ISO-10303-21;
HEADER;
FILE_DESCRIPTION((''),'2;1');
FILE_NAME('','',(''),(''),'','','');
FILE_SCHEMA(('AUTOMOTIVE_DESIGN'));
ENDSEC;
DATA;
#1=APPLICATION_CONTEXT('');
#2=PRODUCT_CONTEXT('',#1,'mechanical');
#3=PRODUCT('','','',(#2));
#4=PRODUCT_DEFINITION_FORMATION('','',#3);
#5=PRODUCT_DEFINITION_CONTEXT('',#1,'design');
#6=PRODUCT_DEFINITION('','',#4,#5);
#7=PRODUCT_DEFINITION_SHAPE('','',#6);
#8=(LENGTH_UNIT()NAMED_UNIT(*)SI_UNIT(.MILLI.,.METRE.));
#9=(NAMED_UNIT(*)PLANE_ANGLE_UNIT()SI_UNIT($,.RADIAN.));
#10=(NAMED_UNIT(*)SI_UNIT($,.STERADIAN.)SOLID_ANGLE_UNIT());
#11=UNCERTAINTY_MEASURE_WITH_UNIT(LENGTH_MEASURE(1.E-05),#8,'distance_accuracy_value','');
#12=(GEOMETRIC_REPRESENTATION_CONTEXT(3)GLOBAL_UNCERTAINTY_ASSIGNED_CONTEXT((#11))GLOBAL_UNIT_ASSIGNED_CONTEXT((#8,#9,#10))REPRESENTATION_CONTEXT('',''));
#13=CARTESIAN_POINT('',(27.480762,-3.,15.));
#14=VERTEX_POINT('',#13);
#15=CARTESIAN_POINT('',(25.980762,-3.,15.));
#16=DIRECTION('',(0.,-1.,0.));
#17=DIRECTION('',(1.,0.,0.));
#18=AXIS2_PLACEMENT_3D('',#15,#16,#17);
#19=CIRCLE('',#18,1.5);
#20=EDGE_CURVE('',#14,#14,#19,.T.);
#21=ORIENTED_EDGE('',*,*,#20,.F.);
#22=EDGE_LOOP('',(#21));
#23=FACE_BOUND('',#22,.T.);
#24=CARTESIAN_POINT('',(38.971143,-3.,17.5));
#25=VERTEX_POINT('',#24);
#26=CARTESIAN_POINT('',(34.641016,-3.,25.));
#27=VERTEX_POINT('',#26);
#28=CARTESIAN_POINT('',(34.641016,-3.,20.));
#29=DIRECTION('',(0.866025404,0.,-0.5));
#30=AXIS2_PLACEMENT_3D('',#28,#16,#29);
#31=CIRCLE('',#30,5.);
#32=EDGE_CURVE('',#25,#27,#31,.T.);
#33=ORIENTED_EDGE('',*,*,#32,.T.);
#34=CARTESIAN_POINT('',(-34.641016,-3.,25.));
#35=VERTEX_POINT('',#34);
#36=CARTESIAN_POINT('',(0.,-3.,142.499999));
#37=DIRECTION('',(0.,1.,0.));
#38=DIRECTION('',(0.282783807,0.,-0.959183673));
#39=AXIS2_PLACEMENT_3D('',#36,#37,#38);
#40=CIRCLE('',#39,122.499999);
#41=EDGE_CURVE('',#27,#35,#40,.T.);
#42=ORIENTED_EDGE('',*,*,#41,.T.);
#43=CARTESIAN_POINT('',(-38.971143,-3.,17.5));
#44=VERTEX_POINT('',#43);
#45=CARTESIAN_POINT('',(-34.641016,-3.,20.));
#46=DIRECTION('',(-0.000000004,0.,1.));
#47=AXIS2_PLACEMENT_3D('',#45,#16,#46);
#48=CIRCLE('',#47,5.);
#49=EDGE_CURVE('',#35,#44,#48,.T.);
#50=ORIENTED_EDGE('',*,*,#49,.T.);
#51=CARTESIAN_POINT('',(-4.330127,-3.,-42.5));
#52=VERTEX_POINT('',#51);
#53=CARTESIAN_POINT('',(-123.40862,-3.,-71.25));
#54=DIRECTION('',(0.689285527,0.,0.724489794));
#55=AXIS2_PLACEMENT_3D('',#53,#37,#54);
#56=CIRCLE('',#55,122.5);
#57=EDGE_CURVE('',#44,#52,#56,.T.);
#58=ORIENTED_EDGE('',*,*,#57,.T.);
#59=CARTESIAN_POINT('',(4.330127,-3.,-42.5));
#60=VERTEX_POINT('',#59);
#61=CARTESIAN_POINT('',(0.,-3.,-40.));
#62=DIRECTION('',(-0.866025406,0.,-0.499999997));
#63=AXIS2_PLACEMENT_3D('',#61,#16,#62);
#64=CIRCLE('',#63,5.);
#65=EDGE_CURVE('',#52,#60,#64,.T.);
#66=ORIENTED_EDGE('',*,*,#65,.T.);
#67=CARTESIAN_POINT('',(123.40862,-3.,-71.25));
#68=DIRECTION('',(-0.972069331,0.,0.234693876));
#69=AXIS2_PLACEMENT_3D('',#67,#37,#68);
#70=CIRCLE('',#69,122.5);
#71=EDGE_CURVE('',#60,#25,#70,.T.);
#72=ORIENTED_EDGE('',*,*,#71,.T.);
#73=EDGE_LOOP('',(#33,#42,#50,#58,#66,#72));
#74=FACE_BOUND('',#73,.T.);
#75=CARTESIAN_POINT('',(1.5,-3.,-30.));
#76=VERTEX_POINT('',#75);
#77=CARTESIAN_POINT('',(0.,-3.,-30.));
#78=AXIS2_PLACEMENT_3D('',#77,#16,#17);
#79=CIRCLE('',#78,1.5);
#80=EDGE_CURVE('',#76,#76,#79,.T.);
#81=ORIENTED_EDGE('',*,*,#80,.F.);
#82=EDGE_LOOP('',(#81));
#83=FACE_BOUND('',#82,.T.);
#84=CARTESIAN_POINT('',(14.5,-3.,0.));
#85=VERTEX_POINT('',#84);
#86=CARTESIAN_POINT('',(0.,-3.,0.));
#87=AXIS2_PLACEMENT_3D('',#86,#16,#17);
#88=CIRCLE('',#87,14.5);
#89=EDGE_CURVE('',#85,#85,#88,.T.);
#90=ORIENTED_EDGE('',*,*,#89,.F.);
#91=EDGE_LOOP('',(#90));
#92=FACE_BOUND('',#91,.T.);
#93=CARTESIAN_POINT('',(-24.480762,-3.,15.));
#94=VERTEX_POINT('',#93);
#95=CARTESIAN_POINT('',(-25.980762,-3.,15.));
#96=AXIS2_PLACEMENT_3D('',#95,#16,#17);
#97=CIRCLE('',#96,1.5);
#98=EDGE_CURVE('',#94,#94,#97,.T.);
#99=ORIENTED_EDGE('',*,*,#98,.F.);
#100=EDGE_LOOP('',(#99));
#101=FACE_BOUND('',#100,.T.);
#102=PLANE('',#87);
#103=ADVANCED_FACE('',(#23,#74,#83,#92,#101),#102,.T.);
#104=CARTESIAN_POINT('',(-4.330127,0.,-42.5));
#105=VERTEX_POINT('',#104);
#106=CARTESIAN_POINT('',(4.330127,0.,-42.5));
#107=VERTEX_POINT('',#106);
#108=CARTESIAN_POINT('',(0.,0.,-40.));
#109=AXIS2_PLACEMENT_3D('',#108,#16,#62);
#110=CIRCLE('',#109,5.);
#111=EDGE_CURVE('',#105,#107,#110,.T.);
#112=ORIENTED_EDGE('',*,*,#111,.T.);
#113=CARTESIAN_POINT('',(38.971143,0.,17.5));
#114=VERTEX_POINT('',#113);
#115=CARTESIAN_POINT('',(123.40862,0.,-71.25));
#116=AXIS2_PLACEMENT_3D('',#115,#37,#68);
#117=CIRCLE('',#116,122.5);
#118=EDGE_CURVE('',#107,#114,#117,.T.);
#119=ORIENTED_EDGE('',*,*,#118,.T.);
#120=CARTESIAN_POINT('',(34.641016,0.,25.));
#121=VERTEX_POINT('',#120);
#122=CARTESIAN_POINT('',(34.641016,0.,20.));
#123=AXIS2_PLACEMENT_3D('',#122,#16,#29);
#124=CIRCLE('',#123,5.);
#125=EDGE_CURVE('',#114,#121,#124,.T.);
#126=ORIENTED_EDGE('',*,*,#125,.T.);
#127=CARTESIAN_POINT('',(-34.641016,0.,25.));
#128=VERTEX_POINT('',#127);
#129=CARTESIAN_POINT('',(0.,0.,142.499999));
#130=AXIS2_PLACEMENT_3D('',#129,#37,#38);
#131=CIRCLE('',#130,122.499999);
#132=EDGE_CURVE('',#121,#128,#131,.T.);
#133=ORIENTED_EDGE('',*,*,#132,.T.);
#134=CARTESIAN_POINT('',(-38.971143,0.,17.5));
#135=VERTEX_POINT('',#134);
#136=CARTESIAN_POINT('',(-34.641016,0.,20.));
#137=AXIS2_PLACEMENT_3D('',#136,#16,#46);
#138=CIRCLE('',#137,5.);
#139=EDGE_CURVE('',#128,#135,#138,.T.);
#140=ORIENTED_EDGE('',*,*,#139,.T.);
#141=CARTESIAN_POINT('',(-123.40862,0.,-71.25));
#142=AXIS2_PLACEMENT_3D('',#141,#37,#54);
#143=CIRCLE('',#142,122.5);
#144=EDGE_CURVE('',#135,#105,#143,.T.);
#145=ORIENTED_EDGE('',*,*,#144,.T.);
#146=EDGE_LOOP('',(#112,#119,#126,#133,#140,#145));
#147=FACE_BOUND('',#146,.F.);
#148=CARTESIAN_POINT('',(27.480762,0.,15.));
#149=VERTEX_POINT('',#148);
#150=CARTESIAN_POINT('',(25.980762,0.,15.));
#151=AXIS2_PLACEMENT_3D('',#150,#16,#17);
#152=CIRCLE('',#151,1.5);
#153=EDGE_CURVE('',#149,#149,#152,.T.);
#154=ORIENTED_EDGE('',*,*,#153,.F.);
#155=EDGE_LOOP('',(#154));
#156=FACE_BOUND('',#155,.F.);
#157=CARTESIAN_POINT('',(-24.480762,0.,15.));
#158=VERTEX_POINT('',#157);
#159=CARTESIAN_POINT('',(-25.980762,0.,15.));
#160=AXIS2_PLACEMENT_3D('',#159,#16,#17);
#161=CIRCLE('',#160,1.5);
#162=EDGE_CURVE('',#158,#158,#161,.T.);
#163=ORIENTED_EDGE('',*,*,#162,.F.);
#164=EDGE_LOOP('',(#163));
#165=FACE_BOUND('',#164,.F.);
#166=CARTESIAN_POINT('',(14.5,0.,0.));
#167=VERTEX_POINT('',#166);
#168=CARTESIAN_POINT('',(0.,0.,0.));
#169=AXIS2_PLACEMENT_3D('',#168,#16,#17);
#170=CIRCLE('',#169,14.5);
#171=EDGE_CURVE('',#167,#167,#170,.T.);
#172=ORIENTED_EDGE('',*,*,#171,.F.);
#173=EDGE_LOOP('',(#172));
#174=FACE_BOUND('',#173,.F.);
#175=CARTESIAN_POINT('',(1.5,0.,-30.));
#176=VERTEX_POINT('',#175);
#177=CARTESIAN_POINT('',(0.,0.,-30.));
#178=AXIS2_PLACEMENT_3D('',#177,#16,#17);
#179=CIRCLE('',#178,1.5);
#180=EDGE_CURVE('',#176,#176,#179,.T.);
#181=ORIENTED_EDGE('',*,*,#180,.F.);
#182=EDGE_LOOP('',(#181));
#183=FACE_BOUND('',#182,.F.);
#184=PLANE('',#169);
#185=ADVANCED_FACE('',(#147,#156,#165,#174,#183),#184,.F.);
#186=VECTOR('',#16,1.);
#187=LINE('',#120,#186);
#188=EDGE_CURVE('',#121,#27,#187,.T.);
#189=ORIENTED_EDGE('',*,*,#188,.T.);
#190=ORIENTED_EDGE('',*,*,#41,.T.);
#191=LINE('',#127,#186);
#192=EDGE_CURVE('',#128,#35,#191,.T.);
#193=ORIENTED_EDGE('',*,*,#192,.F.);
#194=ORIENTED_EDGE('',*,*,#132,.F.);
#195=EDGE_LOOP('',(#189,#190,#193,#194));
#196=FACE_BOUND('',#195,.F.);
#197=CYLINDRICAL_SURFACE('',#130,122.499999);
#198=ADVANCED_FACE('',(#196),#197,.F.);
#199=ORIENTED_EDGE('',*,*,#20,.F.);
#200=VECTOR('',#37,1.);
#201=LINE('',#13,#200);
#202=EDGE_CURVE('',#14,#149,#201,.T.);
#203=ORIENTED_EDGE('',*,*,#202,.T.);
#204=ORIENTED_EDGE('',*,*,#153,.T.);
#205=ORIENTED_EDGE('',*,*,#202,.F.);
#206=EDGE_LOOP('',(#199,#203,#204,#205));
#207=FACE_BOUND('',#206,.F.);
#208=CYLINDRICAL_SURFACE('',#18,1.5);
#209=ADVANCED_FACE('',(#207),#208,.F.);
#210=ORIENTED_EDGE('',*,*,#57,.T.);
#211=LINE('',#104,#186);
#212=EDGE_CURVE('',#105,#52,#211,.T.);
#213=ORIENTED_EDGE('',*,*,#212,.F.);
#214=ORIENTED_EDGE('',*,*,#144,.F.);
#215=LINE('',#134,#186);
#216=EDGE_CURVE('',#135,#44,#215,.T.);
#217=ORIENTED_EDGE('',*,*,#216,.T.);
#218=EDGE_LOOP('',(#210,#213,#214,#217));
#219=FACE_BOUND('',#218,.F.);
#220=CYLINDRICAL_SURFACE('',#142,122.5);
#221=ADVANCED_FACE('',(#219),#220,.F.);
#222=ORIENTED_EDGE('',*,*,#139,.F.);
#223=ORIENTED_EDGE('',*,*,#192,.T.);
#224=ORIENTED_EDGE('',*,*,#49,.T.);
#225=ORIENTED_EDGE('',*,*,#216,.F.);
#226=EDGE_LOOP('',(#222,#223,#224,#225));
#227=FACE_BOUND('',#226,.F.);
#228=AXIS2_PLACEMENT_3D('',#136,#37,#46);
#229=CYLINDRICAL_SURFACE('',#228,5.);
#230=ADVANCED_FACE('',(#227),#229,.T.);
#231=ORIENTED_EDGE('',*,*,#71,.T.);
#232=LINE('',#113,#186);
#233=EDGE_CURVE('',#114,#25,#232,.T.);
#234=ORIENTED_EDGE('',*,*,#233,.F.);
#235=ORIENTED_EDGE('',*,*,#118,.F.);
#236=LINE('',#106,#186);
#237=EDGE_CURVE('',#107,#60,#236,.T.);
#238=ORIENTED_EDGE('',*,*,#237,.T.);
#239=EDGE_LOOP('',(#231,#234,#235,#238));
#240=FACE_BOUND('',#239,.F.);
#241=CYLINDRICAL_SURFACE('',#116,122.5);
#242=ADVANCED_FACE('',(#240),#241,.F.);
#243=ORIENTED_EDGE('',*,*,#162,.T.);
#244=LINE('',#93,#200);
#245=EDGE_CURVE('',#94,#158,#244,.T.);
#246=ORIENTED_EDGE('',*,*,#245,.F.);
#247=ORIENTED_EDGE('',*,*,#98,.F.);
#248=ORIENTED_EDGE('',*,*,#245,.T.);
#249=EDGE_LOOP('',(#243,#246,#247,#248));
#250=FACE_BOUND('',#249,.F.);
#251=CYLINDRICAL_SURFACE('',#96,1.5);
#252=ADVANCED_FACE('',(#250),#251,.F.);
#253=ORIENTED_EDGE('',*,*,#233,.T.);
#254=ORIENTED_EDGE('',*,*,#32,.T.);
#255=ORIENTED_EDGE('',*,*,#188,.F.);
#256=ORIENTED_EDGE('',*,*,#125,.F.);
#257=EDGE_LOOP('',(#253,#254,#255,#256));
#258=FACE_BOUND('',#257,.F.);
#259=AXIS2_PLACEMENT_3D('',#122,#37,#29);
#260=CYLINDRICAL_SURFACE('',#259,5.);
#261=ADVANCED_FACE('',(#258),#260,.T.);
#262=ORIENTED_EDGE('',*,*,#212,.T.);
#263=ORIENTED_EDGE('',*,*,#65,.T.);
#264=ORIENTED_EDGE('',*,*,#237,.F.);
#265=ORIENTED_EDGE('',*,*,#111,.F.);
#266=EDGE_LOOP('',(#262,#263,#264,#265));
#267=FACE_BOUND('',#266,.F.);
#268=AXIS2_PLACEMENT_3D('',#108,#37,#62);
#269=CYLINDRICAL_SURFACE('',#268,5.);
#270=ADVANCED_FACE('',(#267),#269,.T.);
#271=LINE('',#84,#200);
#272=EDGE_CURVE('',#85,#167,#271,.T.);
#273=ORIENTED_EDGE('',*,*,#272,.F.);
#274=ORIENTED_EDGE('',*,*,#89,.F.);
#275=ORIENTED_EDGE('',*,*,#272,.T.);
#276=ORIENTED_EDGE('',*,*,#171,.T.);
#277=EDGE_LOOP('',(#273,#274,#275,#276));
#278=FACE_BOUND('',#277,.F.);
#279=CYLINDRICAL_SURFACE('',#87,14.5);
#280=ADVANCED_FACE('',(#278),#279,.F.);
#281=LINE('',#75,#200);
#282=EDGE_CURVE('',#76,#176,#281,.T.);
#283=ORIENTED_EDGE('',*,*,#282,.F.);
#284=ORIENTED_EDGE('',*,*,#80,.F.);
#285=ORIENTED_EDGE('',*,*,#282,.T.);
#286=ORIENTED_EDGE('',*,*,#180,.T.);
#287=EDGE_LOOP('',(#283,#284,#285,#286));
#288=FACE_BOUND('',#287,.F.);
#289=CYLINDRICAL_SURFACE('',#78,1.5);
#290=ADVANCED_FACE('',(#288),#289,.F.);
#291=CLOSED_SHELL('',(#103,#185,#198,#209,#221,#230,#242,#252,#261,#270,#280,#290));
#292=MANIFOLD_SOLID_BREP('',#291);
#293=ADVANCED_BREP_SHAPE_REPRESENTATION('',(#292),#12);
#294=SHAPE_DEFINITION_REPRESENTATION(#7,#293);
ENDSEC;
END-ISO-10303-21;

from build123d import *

# Parameters (mm, degrees)
F1_DEPTH = 3
F2_R     = 1.5
F2_R_2   = 14.5
F3_DEPTH = 3.001


with BuildPart() as f1:
    # F0 (on Front) → F1 (new body)
    with BuildSketch(Plane.XZ):
        with BuildLine():
            ThreePointArc((-38.971143, 17.5), (-17.320508, -10), (-4.330127, -42.5))
            ThreePointArc((-4.330127, -42.5), (0, -45), (4.330127, -42.5))
            ThreePointArc((4.330127, -42.5), (17.320508, -10), (38.971143, 17.5))
            ThreePointArc((38.971143, 17.5), (38.971143, 22.5), (34.641016, 25))
            ThreePointArc((34.641016, 25), (0, 20), (-34.641016, 25))
            ThreePointArc((-34.641016, 25), (-38.971143, 22.5), (-38.971143, 17.5))
        make_face()
    extrude(amount=F1_DEPTH)

    # F2 (on face) → F3 (cut, through all)
    with BuildSketch(Plane.XZ.offset(3)):
        with Locations((-25.980762, 15)):
            Circle(F2_R)
        Circle(F2_R_2)
        with Locations((25.980762, 15)):
            Circle(F2_R)
        with Locations((0, -30)):
            Circle(F2_R)
    extrude(amount=-F3_DEPTH, mode=Mode.SUBTRACT)


solid = f1.part
